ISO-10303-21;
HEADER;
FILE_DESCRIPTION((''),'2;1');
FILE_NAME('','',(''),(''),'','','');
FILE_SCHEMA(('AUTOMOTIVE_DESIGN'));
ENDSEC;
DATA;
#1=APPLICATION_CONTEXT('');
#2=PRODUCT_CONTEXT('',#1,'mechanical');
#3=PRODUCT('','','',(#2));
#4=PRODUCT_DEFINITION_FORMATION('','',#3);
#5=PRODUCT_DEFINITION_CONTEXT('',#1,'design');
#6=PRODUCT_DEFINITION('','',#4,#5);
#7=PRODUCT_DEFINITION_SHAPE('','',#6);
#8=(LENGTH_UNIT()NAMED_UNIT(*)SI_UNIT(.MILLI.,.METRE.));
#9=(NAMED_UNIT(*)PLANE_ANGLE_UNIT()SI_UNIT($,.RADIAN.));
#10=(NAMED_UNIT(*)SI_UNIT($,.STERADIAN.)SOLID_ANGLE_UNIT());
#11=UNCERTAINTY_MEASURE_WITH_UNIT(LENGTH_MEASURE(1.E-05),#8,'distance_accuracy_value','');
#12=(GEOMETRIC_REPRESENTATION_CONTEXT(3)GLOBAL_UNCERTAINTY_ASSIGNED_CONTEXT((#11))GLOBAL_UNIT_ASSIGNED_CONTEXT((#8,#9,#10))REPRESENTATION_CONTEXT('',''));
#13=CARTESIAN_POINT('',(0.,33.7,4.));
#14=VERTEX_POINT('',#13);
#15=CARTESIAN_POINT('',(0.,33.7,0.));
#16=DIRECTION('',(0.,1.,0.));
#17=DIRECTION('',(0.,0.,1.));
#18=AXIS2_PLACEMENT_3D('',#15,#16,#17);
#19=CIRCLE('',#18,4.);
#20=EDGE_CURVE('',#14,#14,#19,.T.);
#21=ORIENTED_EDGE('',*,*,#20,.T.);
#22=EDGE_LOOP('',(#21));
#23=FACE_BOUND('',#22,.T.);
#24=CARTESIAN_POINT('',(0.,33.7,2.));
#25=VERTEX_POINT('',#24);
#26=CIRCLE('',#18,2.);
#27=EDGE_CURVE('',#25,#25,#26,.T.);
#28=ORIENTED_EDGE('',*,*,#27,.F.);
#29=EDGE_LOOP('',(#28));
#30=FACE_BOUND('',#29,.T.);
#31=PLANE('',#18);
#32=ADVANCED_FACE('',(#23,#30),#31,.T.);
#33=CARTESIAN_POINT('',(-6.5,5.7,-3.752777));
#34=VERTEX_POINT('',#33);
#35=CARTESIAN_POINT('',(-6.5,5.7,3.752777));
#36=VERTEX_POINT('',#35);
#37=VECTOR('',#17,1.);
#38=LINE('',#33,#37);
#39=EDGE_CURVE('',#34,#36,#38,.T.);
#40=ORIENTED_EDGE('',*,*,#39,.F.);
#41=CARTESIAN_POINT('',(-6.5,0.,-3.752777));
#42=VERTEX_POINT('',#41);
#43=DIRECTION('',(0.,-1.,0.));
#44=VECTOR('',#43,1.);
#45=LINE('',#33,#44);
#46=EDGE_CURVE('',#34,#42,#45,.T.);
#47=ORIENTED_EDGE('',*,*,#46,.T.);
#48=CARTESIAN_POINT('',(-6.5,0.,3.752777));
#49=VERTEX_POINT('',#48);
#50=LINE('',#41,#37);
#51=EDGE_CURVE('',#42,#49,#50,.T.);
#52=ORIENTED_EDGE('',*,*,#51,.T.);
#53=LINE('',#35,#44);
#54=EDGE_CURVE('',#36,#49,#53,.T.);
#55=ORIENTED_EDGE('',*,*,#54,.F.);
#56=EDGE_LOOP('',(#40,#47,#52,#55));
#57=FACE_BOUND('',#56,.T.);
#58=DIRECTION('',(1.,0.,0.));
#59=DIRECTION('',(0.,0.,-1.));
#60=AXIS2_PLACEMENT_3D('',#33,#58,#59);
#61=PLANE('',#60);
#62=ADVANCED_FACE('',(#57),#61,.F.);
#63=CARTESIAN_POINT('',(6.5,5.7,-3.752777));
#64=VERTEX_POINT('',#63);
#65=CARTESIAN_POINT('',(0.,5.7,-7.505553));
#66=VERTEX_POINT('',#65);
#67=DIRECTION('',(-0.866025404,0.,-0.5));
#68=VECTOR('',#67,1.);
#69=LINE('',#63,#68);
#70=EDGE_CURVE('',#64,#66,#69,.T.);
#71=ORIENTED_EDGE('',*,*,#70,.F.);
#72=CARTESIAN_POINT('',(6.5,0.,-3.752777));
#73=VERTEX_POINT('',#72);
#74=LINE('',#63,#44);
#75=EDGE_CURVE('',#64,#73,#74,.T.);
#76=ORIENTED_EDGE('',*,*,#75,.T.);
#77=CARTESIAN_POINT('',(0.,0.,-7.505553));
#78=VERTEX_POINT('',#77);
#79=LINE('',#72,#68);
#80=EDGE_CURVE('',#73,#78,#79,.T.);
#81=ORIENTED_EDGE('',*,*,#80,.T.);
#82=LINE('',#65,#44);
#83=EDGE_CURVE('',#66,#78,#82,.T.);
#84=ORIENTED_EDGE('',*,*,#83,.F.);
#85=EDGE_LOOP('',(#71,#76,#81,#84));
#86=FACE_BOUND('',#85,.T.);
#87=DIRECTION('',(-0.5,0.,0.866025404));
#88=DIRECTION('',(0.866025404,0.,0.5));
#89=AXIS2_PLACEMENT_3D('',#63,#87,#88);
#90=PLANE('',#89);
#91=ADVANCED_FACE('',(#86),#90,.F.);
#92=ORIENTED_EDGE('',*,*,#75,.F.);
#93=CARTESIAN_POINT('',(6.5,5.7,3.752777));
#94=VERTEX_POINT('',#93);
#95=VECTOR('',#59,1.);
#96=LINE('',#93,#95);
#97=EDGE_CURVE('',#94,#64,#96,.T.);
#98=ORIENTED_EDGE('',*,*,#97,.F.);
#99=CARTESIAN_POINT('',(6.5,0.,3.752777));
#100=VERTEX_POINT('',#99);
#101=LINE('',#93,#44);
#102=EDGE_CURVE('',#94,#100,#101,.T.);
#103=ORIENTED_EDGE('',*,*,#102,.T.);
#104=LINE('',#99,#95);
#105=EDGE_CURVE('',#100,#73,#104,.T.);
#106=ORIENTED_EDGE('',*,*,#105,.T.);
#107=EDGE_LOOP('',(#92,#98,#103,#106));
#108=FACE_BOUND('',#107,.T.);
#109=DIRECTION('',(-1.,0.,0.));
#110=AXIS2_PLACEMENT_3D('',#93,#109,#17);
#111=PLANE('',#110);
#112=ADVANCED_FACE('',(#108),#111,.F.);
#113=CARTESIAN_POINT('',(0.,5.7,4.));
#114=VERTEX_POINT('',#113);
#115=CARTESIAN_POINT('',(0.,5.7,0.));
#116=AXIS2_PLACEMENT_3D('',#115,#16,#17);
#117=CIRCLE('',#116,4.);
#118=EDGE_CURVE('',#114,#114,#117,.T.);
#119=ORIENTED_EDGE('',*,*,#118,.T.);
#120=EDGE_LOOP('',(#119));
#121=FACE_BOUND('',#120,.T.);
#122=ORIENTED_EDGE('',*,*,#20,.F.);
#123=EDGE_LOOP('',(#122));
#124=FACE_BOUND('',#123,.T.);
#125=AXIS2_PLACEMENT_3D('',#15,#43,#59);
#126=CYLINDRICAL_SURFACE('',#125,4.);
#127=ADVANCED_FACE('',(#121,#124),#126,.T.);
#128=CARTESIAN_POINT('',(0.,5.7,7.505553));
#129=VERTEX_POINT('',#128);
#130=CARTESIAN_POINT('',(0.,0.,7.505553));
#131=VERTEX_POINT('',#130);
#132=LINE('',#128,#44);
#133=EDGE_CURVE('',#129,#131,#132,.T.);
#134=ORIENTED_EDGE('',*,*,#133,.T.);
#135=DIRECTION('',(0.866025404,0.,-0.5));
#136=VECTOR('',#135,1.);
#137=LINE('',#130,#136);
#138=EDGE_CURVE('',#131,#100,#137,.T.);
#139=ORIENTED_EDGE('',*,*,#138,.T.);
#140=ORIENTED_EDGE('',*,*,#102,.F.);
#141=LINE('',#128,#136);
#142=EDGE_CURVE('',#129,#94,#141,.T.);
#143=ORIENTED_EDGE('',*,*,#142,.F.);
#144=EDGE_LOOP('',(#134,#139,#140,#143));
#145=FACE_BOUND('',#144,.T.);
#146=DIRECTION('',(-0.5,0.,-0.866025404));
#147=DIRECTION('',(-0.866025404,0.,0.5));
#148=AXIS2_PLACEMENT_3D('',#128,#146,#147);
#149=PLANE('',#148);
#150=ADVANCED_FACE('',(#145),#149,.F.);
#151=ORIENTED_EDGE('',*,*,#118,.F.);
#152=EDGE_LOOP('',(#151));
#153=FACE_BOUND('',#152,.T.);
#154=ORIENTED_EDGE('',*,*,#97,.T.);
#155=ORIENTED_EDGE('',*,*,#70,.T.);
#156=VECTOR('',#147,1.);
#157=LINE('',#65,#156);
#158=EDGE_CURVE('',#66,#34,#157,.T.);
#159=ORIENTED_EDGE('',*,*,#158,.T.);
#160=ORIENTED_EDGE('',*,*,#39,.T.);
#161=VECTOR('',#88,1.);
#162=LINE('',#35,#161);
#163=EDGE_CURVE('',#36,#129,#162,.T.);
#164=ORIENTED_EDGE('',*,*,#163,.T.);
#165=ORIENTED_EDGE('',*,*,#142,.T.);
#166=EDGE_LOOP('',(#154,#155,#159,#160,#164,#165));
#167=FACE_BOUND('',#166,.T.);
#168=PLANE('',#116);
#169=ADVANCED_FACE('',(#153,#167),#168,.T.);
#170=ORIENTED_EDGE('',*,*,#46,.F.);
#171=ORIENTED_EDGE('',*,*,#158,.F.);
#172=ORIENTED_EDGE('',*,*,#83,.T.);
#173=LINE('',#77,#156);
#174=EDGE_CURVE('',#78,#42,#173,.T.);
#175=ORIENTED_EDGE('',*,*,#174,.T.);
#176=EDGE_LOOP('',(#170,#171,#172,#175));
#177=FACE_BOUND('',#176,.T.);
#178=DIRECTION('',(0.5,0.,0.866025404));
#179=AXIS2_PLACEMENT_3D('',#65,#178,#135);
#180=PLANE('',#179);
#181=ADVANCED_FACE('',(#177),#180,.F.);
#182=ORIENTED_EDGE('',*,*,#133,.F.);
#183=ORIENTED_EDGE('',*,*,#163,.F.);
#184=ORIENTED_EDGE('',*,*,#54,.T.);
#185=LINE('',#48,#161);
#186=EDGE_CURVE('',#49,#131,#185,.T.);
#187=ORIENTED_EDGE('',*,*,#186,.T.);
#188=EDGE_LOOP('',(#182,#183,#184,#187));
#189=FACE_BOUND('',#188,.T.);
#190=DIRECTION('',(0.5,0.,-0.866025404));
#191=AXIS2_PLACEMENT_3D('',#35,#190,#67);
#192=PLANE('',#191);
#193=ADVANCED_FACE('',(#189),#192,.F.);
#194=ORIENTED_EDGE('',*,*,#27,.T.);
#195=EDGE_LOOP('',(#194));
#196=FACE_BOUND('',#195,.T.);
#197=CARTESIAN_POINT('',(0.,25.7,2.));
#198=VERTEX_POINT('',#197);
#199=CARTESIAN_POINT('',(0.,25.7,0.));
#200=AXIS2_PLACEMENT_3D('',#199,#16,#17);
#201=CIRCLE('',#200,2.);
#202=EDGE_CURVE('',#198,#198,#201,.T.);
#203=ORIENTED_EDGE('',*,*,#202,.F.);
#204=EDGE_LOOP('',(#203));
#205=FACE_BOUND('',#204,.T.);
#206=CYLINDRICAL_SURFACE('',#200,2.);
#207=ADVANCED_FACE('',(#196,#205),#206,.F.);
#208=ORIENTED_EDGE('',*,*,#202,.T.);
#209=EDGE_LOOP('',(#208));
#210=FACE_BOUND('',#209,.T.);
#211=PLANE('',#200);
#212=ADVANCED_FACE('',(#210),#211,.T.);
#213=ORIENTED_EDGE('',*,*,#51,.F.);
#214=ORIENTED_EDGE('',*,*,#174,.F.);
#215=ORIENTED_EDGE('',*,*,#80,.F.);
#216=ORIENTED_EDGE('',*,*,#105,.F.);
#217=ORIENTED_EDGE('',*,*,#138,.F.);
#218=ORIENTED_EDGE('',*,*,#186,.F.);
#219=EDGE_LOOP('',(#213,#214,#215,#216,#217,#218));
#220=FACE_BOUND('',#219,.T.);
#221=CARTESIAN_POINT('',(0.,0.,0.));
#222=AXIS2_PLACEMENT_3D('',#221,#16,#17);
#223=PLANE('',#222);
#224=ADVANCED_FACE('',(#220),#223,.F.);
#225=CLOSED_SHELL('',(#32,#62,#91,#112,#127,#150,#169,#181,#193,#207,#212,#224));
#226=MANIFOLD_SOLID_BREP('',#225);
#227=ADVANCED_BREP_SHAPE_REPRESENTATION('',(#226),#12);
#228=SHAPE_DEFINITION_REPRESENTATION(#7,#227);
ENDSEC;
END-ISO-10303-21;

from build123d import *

# Parameters (mm, degrees)
BOSS_EXTRUDE1_DEPTH = 5.7
SKETCH2_R           = 4
BOSS_EXTRUDE2_DEPTH = 28
SKETCH3_R           = 2
CUT_EXTRUDE1_DEPTH  = 8


with BuildPart() as part:
    # Sketch1 → Boss-Extrude1 (new body)
    with BuildSketch(Plane(origin=(0, 0, 0), x_dir=(1, 0, 0), z_dir=(0, 1, 0))):
        Polygon((0, -7.505553499), (6.5, -3.75277675), (6.5, 3.75277675), (0, 7.505553499), (-6.5, 3.75277675), (-6.5, -3.75277675), align=None)
    extrude(amount=BOSS_EXTRUDE1_DEPTH)

    # Sketch2 → Boss-Extrude2 (add)
    with BuildSketch(Plane(origin=(0, 5.7, 0), x_dir=(1, 0, 0), z_dir=(0, 1, 0))):
        with Locations(Location((0, 0, 0), (0, 0, 270))):
            Circle(SKETCH2_R)
    extrude(amount=BOSS_EXTRUDE2_DEPTH)

    # Sketch3 → Cut-Extrude1 (cut)
    with BuildSketch(Plane(origin=(0, 33.7, 0), x_dir=(1, 0, 0), z_dir=(0, 1, 0))):
        with Locations(Location((0, 0, 0), (0, 0, 270))):
            Circle(SKETCH3_R)
    extrude(amount=-CUT_EXTRUDE1_DEPTH, mode=Mode.SUBTRACT)


solid = part.part
